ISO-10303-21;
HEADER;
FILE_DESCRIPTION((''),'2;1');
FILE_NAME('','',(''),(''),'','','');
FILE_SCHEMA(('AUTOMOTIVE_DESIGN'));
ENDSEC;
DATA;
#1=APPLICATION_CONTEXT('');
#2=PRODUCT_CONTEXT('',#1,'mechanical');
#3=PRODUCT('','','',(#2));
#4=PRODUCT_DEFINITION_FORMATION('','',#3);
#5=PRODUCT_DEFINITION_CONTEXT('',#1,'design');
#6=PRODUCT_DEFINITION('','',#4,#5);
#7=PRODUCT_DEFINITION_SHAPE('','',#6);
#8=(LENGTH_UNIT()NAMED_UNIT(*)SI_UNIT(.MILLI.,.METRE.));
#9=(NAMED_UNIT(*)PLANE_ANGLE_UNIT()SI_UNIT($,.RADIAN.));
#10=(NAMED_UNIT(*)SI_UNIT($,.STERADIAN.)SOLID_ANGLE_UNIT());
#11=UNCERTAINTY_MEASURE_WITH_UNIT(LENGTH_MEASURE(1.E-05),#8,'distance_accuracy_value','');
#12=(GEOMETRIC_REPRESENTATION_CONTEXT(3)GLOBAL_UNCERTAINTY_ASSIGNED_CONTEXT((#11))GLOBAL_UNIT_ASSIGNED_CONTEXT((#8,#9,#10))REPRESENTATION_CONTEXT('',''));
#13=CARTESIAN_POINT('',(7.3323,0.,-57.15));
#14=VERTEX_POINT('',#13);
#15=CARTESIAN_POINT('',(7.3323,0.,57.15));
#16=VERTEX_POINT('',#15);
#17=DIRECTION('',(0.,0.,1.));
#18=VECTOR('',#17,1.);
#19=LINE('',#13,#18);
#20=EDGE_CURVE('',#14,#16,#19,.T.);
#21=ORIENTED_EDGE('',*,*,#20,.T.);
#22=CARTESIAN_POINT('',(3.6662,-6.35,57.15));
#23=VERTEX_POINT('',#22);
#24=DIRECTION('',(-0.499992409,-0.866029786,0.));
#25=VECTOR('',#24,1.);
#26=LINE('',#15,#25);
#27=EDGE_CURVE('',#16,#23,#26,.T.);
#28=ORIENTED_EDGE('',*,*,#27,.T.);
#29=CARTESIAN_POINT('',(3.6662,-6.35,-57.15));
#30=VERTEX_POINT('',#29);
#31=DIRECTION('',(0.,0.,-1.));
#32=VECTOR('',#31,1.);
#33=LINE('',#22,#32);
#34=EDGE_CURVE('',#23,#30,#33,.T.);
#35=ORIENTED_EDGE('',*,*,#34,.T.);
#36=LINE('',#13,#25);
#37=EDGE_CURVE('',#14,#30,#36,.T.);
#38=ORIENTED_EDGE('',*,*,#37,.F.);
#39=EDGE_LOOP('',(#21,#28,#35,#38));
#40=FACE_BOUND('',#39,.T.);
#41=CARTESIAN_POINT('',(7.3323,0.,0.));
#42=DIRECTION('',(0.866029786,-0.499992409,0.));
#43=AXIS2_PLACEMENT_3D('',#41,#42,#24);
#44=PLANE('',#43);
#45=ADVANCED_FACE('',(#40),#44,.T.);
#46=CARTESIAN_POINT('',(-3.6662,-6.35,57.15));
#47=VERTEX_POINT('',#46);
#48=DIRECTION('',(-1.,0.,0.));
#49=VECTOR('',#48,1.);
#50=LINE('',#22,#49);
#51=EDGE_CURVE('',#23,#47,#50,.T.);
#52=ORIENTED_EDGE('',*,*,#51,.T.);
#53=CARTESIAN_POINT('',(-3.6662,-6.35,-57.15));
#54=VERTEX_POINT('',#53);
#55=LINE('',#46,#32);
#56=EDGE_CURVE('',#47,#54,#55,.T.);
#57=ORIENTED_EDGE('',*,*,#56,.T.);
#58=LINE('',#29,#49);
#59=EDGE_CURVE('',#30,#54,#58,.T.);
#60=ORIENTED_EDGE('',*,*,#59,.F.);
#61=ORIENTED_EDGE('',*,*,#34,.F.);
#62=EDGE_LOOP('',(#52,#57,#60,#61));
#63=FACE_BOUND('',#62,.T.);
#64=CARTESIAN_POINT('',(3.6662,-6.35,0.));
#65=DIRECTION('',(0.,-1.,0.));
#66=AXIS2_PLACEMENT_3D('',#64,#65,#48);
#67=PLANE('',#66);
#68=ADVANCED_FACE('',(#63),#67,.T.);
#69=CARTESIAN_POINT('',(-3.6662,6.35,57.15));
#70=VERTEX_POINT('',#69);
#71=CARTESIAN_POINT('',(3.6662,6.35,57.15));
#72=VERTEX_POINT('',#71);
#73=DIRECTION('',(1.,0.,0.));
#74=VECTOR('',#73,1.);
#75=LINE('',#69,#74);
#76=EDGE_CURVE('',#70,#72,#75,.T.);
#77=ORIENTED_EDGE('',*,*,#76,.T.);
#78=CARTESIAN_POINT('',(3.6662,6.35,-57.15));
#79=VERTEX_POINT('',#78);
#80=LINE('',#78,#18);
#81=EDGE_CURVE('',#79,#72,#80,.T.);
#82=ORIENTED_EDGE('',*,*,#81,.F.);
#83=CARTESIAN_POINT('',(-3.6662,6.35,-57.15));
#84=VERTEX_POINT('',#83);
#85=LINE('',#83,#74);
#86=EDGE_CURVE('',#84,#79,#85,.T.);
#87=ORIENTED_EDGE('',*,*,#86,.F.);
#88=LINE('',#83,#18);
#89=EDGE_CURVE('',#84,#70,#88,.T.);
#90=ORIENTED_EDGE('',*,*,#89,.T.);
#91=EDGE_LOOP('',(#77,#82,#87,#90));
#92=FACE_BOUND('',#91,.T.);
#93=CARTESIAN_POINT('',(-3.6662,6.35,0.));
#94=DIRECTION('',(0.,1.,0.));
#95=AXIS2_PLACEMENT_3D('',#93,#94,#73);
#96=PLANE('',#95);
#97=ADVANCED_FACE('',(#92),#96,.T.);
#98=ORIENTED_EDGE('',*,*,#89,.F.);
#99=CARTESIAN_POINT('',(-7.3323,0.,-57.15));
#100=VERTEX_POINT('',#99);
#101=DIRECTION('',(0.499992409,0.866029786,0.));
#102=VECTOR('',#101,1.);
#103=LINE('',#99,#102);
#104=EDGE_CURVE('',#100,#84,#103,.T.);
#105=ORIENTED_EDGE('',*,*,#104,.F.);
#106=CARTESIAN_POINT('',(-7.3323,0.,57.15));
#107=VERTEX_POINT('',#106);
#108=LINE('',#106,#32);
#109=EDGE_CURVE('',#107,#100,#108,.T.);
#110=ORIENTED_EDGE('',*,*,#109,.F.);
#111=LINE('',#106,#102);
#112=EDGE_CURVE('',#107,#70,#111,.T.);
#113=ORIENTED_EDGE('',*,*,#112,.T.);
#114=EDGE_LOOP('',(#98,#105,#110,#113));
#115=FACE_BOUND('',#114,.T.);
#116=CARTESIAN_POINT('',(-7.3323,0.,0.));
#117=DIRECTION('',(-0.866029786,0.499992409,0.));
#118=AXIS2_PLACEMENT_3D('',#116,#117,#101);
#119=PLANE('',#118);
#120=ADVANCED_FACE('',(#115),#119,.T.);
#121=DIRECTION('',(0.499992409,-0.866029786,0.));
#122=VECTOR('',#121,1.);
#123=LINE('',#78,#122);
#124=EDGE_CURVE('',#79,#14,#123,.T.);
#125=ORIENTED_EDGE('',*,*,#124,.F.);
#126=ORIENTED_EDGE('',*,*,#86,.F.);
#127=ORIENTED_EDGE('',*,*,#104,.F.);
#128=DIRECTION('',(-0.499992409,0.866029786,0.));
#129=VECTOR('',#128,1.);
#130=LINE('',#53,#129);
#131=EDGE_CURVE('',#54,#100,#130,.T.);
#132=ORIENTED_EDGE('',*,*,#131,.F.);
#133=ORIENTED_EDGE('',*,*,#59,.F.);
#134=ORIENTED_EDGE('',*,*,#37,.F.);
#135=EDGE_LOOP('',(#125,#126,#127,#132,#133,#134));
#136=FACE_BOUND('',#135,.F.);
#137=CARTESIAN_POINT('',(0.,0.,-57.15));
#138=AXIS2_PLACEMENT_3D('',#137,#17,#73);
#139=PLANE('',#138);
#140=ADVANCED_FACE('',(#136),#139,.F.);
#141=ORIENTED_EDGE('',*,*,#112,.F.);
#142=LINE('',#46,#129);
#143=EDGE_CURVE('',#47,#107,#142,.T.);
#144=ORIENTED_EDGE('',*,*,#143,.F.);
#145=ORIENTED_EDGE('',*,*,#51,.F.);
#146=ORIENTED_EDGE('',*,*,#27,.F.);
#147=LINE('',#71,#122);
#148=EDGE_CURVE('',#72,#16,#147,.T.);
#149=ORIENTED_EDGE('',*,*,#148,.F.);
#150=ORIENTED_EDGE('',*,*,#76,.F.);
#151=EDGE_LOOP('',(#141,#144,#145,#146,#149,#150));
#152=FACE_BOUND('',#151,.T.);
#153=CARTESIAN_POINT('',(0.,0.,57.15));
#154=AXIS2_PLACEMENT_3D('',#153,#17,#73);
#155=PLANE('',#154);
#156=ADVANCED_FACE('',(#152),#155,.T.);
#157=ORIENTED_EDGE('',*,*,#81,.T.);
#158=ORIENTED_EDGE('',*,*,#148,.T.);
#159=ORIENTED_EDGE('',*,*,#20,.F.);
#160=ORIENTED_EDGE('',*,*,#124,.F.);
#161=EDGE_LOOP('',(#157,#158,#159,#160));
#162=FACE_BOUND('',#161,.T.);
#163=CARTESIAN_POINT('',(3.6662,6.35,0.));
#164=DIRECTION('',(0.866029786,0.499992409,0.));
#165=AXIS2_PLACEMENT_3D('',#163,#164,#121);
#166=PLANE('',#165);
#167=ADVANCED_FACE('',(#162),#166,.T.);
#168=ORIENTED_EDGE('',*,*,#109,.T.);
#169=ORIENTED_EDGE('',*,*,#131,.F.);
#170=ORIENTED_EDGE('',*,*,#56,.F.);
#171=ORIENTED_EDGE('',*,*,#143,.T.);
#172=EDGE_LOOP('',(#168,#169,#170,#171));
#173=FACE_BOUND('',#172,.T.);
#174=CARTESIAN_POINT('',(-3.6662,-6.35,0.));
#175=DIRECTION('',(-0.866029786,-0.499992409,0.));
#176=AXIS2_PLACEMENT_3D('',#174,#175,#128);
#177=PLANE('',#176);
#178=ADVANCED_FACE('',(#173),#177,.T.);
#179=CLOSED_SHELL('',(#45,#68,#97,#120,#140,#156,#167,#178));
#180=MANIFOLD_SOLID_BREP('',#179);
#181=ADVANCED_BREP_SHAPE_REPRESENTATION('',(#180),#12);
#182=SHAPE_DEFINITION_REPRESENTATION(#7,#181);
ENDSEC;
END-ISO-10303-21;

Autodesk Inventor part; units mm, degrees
ref_plane "YZ Plane" through (0, 0, 0) normal (1, 0, 0) x (0, 1, 0)
ref_plane "XZ Plane" through (0, 0, 0) normal (0, 1, 0) x (-1, 0, 0)
ref_plane "XY Plane" through (0, 0, 0) normal (0, 0, 1) x (1, 0, 0)
sketch "Sketch1" plane through (0, 0, 0) normal (0, 0, 1) x (1, 0, 0)
  line L0 (7.3323, 0) -> (3.6662, -6.35)
  line L1 (3.6662, -6.35) -> (-3.6662, -6.35)
  line L2 (-3.6662, -6.35) -> (-7.3323, 0)
  line L3 (-7.3323, 0) -> (-3.6662, 6.35)
  line L4 (-3.6662, 6.35) -> (3.6662, 6.35)
  line L5 (3.6662, 6.35) -> (7.3323, 0)
  point P0 (0, 0)
  point P1 (0, 0)
  dimension "d0" = 12.7
extrude "Extrusion1" add sketch "Sketch1" along normal mid plane 114.3
properties part number "Ch-1-01-0.5x4.5HexShaft"
